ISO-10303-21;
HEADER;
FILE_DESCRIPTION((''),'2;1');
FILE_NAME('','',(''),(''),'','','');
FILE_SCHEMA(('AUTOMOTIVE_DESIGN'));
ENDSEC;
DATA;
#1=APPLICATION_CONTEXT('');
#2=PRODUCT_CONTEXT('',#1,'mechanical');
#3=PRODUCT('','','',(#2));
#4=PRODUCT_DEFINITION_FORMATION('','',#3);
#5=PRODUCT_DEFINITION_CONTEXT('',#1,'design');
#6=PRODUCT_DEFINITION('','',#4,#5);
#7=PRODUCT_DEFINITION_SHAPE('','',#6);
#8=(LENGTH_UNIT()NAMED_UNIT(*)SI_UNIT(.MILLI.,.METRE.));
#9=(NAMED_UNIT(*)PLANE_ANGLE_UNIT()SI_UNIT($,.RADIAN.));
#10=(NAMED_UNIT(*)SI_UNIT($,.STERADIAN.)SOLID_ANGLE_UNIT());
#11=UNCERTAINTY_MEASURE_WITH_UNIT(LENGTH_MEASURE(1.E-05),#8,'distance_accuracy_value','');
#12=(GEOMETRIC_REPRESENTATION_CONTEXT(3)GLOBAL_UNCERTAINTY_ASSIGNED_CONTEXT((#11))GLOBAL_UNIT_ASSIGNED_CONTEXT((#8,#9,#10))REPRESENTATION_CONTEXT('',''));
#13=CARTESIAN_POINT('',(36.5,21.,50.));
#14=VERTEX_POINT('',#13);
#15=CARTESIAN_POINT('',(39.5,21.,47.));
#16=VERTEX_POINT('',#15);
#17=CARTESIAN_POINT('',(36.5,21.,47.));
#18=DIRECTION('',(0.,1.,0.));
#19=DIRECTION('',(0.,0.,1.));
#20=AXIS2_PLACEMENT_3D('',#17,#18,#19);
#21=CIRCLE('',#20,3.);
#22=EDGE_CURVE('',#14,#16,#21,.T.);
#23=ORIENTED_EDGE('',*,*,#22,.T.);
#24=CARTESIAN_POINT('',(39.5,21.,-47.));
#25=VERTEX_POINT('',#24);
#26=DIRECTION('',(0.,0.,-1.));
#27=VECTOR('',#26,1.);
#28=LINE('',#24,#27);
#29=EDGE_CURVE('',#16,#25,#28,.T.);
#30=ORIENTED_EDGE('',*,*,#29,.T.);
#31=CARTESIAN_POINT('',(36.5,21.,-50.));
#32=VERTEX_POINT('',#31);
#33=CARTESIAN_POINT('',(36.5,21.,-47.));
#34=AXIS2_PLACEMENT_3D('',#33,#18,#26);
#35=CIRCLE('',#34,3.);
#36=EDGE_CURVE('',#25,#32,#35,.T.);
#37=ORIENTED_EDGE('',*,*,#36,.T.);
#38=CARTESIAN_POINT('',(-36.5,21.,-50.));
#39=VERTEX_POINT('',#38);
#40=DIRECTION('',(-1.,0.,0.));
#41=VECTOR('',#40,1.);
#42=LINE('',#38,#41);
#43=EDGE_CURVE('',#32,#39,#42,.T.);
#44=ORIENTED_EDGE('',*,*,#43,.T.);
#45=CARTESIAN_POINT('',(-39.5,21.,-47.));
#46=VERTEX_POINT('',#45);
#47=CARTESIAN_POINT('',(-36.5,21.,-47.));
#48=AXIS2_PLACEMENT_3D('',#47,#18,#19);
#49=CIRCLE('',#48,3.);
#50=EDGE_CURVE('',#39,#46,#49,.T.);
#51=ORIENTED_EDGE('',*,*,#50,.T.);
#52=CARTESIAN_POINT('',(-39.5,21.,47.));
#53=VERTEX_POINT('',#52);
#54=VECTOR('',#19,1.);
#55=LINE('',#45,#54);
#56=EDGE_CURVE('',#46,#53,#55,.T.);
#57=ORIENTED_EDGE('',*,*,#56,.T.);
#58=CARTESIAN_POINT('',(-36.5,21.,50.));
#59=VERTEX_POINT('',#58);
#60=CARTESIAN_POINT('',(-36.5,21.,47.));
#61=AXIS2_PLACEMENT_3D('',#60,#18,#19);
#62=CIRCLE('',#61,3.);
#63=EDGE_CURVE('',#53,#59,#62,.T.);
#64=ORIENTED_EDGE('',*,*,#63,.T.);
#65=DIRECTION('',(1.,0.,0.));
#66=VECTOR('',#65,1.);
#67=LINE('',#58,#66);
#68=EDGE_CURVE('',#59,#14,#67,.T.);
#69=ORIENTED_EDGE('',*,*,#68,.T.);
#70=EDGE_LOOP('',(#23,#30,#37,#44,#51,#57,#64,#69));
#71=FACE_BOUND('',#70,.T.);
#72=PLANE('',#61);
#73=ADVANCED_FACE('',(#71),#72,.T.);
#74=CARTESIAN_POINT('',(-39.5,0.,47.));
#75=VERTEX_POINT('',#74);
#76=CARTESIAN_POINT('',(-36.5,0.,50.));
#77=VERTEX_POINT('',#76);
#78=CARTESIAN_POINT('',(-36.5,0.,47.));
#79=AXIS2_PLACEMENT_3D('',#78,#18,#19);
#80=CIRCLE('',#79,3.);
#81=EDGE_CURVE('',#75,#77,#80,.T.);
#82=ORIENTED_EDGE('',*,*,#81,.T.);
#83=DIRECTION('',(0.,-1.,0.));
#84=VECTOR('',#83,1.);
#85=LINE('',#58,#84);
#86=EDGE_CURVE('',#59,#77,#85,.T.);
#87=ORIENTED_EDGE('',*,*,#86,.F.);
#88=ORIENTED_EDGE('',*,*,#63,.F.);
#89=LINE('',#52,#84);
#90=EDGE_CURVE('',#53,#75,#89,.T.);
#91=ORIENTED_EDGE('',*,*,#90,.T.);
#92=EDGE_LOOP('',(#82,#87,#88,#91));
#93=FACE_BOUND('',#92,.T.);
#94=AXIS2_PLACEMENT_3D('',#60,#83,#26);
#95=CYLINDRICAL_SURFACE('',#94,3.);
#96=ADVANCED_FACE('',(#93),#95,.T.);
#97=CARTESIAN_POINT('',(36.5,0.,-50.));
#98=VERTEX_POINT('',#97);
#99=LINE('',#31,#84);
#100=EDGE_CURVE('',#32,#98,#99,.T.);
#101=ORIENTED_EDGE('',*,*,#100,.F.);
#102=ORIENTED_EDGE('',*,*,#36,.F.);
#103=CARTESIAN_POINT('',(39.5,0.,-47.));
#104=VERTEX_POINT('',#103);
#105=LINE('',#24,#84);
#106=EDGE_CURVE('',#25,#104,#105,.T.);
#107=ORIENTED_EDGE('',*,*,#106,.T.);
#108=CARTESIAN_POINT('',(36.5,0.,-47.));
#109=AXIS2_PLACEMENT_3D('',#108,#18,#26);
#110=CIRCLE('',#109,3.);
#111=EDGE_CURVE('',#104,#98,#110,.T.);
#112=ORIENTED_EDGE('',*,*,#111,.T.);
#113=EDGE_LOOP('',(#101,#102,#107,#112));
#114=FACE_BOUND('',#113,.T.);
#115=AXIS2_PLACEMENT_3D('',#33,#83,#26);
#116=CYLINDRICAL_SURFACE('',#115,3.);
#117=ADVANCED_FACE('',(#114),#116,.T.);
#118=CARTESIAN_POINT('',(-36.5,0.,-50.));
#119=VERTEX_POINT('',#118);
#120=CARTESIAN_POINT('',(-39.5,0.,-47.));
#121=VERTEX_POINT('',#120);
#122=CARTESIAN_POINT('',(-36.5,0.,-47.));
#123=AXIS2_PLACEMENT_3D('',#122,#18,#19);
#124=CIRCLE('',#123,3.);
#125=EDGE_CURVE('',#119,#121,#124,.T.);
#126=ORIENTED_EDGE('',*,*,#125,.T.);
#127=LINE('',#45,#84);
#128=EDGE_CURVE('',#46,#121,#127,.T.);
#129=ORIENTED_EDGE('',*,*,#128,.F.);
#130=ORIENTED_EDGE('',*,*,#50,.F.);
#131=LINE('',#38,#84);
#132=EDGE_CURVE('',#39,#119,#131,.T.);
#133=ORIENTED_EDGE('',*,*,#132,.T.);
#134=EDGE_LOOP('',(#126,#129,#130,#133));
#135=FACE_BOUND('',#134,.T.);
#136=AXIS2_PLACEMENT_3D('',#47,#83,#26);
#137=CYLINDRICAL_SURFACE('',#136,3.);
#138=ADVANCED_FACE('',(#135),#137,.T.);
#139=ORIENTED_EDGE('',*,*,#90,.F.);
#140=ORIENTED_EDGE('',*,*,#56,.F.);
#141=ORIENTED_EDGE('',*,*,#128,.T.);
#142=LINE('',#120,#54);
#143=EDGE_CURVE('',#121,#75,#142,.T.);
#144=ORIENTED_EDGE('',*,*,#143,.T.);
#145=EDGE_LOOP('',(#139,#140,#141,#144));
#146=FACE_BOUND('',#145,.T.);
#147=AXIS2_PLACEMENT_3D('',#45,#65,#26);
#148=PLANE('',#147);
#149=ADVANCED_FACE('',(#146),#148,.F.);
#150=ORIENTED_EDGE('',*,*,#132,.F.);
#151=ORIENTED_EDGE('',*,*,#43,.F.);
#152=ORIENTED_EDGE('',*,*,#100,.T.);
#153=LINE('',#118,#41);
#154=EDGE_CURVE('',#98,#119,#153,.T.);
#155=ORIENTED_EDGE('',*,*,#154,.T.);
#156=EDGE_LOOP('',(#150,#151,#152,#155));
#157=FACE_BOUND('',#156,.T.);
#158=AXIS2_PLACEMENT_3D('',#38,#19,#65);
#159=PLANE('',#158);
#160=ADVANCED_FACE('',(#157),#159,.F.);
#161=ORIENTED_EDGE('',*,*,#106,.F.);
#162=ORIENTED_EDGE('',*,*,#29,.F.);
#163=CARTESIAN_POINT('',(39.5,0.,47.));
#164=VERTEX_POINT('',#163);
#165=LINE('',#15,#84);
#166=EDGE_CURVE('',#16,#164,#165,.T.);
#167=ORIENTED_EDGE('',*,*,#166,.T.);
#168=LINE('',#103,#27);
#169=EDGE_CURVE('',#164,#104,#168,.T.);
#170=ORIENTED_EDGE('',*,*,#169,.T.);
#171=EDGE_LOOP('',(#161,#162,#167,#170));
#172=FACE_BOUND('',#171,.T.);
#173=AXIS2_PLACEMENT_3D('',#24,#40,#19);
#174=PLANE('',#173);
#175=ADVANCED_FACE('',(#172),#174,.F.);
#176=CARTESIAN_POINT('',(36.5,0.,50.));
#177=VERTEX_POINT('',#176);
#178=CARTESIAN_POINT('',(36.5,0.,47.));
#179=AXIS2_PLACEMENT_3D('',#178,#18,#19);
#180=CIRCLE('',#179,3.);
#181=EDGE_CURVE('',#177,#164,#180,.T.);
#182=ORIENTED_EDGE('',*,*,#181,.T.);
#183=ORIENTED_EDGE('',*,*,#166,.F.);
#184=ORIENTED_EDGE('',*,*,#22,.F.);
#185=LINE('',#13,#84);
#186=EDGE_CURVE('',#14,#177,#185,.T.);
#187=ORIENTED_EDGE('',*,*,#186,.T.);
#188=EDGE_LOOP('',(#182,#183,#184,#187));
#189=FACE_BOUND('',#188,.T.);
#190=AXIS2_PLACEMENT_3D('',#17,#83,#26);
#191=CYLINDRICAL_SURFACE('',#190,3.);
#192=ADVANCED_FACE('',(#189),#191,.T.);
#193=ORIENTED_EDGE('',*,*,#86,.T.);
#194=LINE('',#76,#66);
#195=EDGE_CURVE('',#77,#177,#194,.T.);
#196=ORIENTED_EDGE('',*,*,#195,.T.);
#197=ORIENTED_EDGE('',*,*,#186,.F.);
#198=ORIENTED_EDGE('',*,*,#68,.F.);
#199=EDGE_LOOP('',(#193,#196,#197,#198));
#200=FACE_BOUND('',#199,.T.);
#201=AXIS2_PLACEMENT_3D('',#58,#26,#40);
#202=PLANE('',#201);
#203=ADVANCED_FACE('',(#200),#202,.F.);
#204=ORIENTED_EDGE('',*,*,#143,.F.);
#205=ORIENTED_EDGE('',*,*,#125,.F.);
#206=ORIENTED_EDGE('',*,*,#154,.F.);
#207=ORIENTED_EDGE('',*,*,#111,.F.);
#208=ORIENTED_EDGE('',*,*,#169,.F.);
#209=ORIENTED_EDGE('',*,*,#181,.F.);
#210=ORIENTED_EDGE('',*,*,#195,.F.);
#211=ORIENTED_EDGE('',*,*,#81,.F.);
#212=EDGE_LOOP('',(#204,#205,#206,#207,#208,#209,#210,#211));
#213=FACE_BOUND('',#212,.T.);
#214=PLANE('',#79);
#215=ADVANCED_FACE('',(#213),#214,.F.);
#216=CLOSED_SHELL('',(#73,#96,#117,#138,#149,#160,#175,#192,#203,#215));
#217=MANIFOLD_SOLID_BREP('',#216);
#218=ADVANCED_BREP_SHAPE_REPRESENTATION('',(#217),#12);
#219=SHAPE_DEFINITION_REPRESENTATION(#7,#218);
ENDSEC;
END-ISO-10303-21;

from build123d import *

# Parameters (mm, degrees)
BOSS_EXTRUDE1_DEPTH = 21


with BuildPart() as part:
    # Sketch1 → Boss-Extrude1 (new body)
    with BuildSketch(Plane(origin=(0, 0, 0), x_dir=(1, 0, 0), z_dir=(0, 1, 0))):
        with BuildLine():
            Line((-36.5, 50), (36.5, 50))
            ThreePointArc((36.5, 50), (38.621320344, 49.121320344), (39.5, 47))
            Line((39.5, 47), (39.5, -47))
            ThreePointArc((39.5, -47), (38.621320344, -49.121320344), (36.5, -50))
            Line((36.5, -50), (-36.5, -50))
            ThreePointArc((-36.5, -50), (-38.621320344, -49.121320344), (-39.5, -47))
            Line((-39.5, -47), (-39.5, 47))
            ThreePointArc((-39.5, 47), (-38.621320344, 49.121320344), (-36.5, 50))
        make_face()
    extrude(amount=BOSS_EXTRUDE1_DEPTH)


solid = part.part
